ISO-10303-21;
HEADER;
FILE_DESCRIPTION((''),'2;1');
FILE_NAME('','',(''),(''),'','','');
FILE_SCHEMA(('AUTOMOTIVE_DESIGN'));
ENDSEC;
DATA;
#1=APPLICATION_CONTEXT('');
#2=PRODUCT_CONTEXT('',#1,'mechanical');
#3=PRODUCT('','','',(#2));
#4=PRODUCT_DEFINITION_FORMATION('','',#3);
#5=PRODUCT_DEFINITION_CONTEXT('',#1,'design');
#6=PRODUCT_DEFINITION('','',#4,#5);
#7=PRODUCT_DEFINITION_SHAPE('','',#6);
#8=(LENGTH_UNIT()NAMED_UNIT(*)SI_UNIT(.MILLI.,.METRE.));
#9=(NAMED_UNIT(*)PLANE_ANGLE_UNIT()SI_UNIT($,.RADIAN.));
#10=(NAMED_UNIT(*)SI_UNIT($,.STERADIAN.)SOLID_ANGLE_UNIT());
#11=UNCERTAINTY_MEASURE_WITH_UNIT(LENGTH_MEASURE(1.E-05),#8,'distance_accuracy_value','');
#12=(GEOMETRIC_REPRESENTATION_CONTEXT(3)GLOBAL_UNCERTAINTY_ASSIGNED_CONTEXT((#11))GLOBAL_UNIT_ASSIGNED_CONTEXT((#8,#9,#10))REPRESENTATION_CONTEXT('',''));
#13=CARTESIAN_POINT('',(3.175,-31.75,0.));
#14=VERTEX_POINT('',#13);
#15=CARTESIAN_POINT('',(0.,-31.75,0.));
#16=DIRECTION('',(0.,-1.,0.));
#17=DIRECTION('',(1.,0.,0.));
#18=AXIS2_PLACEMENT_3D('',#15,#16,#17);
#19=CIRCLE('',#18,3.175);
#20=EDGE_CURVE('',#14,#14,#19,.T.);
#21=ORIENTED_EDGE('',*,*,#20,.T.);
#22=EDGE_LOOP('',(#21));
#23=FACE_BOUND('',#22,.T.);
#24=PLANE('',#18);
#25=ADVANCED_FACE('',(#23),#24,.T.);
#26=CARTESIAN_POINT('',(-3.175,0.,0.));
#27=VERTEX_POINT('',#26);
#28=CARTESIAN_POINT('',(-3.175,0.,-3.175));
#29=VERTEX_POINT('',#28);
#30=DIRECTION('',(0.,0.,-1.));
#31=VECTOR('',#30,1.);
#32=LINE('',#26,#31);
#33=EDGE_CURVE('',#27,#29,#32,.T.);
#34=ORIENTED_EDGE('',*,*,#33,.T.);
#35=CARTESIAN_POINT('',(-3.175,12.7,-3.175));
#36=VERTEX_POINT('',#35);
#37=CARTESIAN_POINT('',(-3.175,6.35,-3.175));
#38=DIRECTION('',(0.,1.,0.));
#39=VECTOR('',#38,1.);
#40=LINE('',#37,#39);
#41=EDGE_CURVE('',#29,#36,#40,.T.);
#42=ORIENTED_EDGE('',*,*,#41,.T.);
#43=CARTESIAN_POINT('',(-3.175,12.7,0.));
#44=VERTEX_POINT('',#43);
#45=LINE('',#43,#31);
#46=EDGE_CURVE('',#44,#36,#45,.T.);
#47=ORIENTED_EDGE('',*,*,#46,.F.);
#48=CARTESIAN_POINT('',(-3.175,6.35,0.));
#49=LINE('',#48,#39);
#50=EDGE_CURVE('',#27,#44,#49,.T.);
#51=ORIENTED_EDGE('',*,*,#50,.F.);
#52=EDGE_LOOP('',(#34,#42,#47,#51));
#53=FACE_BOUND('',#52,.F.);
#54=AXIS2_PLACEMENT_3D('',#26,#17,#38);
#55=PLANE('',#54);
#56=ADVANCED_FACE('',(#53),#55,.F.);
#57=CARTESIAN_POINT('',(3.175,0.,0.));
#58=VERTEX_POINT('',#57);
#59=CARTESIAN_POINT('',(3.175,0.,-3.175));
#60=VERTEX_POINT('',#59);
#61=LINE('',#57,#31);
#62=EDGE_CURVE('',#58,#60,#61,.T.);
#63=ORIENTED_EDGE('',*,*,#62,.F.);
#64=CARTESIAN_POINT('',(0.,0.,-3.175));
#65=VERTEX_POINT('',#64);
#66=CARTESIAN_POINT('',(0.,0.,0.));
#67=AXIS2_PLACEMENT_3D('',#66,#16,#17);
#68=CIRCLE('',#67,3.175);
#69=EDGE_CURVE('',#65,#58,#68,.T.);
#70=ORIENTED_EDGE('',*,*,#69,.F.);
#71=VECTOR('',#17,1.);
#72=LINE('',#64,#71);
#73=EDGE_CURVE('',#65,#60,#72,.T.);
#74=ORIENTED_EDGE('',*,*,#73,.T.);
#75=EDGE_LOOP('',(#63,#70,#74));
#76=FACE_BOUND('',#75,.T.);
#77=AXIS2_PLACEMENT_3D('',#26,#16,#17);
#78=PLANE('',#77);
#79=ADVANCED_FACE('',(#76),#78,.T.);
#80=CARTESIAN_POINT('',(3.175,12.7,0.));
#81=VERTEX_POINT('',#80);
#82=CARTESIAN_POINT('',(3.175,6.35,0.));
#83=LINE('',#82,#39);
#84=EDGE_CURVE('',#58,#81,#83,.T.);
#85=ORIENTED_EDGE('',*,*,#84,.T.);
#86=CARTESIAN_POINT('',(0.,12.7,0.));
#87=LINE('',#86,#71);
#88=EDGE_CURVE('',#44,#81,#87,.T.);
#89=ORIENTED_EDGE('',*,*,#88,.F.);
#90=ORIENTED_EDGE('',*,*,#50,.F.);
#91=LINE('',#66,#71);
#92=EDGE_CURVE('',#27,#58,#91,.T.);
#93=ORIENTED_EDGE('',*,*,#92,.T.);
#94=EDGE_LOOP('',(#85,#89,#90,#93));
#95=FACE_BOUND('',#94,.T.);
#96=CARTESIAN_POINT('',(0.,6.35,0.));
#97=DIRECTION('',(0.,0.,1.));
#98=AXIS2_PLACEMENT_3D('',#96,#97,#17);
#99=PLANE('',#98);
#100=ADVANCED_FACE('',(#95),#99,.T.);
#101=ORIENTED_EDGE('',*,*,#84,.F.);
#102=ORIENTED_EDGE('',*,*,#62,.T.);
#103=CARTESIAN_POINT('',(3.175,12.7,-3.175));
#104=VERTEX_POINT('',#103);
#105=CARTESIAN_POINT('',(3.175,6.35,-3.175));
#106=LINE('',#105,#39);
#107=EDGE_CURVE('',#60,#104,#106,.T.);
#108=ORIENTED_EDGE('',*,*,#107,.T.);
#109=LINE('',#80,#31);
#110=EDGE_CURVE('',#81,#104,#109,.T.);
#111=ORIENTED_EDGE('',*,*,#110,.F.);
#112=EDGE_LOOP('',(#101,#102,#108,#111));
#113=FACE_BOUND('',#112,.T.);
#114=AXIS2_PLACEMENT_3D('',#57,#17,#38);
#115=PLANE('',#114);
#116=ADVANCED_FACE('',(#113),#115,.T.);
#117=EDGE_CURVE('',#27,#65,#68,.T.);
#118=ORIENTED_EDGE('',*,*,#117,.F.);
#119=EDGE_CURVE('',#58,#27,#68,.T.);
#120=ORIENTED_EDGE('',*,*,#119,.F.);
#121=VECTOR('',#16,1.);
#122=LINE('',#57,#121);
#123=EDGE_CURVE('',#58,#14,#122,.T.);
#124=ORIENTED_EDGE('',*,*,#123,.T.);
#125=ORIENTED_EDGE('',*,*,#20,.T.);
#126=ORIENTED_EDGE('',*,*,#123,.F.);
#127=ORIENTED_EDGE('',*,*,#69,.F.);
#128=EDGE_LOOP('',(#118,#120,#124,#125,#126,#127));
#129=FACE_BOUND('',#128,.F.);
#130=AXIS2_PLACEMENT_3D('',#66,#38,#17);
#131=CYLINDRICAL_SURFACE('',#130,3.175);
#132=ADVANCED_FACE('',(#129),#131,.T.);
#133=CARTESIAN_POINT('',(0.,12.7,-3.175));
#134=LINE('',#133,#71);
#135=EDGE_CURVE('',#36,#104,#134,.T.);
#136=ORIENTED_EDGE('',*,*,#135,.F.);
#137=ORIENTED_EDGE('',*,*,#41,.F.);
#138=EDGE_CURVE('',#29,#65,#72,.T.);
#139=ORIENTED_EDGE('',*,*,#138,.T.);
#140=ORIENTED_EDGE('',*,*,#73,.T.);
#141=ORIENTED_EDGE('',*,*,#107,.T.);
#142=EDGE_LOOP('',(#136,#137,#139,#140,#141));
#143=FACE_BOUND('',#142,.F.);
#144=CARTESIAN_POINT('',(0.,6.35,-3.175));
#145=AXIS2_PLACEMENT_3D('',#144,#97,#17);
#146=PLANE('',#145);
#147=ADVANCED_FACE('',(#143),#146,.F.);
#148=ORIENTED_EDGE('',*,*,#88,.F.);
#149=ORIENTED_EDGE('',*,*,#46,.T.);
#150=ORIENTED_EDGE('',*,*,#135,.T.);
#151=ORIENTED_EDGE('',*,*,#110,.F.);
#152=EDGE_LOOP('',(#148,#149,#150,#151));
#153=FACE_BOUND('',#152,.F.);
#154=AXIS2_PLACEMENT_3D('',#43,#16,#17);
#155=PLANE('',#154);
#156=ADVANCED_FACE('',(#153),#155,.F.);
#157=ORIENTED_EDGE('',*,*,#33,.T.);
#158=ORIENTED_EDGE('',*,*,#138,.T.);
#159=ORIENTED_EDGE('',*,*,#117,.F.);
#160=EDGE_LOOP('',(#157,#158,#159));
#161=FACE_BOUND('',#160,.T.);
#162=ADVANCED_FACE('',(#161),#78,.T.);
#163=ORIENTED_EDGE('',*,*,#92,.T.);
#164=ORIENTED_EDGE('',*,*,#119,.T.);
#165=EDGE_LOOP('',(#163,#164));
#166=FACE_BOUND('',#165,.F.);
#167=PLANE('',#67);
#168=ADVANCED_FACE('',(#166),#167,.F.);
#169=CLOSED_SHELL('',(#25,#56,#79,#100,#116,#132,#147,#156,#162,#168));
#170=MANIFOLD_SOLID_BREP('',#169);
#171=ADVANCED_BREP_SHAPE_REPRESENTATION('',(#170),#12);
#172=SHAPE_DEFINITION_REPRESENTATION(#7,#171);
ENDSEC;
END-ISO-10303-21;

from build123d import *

# Parameters (mm, degrees)
F0_R     = 3.175
F1_DEPTH = 31.75
F2_W     = 6.35
F2_H     = 12.7
F3_DEPTH = 3.175


with BuildPart() as f1:
    # F0 (on Front) → F1 (new body)
    with BuildSketch(Plane.XZ):
        Circle(F0_R)
    extrude(amount=F1_DEPTH)

    # F2 (on Top) → F3 (join)
    with BuildSketch(Plane.XY):
        with Locations((0, 6.35)):
            Rectangle(F2_W, F2_H)
    extrude(amount=-F3_DEPTH)


solid = f1.part
